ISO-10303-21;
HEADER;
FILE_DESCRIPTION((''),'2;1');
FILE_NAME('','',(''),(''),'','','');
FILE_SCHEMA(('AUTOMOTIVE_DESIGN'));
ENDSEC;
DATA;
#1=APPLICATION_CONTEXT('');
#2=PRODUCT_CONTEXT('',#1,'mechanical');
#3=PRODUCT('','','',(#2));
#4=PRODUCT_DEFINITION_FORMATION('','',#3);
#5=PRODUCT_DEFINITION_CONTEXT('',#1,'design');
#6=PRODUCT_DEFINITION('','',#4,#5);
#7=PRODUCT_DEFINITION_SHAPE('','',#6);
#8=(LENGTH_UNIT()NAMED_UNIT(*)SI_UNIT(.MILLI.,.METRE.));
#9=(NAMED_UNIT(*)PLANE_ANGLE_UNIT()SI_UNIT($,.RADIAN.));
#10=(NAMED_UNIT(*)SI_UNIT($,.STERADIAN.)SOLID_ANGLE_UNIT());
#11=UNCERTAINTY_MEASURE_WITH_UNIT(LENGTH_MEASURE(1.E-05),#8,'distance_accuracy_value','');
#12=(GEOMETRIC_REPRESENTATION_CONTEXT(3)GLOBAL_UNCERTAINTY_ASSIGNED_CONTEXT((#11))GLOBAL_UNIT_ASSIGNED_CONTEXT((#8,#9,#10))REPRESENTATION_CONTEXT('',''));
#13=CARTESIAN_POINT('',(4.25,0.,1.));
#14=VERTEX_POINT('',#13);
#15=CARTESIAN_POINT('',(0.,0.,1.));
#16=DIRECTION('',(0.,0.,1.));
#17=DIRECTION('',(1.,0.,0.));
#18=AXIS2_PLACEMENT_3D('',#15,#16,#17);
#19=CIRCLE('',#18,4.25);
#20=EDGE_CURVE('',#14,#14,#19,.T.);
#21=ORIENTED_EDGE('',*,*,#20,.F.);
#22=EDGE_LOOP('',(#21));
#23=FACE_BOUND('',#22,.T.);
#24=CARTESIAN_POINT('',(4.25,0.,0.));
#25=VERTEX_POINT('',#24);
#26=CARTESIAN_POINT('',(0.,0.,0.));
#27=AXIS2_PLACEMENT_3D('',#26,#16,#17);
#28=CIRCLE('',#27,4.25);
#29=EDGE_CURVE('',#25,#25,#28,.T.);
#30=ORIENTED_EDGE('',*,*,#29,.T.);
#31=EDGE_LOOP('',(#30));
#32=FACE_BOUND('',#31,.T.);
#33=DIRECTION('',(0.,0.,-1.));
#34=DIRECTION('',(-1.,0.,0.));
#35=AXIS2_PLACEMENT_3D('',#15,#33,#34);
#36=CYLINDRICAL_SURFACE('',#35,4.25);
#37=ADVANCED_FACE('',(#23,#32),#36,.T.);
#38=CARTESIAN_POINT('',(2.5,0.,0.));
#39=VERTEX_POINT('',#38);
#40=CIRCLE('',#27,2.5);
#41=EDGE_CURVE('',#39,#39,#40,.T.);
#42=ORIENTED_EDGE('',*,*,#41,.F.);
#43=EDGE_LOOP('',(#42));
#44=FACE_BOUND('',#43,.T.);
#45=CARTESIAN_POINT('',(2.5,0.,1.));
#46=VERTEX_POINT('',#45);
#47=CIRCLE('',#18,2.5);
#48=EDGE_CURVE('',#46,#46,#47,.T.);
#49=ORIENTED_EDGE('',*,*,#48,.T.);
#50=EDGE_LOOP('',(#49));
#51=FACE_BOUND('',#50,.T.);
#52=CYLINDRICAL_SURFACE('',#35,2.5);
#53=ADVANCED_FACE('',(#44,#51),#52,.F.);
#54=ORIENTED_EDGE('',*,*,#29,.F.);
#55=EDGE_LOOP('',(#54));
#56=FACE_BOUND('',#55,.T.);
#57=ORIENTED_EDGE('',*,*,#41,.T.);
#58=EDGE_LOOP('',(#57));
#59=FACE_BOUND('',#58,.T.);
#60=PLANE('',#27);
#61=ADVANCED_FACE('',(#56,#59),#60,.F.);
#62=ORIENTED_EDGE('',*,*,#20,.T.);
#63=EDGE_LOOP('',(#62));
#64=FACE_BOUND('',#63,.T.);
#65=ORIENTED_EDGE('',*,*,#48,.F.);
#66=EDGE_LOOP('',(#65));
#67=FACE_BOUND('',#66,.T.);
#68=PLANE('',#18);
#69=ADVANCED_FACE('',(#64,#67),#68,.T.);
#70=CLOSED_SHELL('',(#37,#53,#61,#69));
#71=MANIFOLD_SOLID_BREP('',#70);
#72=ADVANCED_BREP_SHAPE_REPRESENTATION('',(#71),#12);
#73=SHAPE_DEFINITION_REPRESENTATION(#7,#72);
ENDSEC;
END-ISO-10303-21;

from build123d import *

# Parameters (mm, degrees)
ESQUISSE1_R      = 4.25
ESQUISSE1_R_2    = 2.5
EXTRUSION1_DEPTH = 1


with BuildPart() as part:
    # Esquisse1 → Extrusion1 (new body)
    with BuildSketch(Plane.XY):
        Circle(ESQUISSE1_R)
        Circle(ESQUISSE1_R_2, mode=Mode.SUBTRACT)
    extrude(amount=EXTRUSION1_DEPTH)


solid = part.part
